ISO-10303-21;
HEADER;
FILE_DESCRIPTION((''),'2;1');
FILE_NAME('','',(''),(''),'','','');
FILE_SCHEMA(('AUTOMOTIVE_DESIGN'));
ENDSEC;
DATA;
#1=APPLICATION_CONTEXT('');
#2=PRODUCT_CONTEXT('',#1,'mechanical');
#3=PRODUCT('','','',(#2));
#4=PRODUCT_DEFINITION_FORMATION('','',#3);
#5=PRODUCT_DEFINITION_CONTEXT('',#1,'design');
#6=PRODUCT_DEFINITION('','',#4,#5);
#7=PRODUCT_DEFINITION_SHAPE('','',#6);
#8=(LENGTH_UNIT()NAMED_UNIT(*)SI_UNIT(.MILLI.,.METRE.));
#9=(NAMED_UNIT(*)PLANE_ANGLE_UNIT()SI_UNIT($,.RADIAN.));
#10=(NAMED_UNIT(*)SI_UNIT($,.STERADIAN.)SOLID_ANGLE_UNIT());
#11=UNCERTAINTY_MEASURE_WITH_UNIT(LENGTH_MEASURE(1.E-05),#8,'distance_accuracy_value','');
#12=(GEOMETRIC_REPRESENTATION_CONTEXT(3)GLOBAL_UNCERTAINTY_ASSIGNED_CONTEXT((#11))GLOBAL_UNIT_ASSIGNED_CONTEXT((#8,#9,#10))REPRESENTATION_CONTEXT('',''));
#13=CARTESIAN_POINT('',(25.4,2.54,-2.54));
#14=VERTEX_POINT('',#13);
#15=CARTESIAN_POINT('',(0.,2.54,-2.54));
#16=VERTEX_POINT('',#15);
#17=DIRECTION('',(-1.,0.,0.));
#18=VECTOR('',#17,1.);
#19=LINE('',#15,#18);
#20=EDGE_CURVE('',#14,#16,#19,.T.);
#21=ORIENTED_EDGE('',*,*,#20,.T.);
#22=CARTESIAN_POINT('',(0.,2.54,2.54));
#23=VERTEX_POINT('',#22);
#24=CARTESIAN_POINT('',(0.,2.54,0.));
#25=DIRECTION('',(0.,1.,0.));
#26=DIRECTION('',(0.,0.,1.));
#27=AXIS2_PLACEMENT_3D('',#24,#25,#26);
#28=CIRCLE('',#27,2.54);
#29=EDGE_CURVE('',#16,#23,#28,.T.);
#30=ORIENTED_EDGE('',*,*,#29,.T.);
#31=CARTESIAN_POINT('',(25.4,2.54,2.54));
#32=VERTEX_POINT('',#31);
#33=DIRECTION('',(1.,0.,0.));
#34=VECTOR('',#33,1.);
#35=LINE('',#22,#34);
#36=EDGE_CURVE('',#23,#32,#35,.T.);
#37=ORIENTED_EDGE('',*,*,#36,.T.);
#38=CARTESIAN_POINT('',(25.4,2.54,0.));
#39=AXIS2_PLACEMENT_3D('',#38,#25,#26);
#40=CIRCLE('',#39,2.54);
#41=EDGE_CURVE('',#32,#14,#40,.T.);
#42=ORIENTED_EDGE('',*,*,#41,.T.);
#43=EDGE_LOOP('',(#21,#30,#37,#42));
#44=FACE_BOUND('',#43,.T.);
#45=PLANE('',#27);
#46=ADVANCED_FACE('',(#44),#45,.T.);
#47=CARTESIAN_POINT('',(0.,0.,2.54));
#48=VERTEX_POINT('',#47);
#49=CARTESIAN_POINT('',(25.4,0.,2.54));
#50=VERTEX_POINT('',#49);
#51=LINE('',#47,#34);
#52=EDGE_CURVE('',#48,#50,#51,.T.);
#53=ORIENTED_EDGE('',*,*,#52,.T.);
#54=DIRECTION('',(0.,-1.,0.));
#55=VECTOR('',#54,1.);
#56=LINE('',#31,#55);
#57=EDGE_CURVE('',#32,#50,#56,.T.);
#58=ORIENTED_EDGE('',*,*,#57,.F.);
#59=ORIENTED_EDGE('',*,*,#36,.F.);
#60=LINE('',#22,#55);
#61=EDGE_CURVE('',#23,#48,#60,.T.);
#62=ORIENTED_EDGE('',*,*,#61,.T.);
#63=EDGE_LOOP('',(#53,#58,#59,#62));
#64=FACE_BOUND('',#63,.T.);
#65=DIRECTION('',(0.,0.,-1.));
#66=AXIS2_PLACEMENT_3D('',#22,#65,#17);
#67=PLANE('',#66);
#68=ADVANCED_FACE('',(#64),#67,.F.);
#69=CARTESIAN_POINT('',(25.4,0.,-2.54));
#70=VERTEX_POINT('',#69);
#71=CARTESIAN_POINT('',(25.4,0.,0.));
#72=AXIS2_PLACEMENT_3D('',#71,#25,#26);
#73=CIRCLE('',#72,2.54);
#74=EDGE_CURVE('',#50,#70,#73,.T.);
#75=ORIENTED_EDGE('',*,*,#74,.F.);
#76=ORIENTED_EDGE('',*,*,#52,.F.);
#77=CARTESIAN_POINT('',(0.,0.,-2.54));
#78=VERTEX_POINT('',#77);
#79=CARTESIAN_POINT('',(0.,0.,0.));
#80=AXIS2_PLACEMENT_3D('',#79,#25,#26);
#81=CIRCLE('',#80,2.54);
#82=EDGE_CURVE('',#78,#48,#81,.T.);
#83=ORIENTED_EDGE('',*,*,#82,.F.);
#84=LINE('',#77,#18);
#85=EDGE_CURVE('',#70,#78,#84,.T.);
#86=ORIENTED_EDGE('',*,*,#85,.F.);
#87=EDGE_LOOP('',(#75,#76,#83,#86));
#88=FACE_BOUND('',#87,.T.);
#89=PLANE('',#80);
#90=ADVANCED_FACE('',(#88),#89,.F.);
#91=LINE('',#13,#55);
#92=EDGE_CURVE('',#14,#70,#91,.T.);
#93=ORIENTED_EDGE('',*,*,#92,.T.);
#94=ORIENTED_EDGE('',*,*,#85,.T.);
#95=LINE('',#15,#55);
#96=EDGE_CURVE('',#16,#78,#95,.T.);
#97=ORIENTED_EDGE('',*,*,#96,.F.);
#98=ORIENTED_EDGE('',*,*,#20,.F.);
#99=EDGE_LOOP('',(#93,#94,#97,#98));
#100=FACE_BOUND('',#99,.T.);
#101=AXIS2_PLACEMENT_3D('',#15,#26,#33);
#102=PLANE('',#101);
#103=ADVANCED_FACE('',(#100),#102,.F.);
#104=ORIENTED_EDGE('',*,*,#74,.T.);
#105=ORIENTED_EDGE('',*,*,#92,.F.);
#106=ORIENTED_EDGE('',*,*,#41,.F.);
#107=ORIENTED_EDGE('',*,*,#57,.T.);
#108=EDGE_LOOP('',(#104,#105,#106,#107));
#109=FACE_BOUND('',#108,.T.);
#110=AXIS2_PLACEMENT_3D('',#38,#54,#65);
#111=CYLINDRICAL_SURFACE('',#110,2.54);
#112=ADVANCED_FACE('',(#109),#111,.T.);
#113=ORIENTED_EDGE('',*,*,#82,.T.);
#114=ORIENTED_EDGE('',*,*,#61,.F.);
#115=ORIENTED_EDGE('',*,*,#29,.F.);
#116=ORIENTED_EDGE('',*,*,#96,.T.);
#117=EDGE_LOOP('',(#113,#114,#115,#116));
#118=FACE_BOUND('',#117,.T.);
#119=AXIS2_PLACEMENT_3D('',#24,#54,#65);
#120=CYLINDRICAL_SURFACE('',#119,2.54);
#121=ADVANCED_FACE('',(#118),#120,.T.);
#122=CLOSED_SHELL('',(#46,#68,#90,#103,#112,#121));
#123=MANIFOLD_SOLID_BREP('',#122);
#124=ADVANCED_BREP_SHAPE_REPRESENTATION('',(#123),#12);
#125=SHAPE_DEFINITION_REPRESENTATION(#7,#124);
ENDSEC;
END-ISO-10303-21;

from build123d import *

# Parameters (mm, degrees)
BOSS_EXTRUDE1_DEPTH = 2.54


with BuildPart() as part:
    # Sketch1 → Boss-Extrude1 (new body)
    with BuildSketch(Plane(origin=(0, 0, 0), x_dir=(1, 0, 0), z_dir=(0, 1, 0))):
        with BuildLine():
            Line((0, 2.54), (25.4, 2.54))
            ThreePointArc((25.4, 2.54), (27.94, 0), (25.4, -2.54))
            Line((25.4, -2.54), (0, -2.54))
            ThreePointArc((0, -2.54), (-2.54, 0), (0, 2.54))
        make_face()
    extrude(amount=BOSS_EXTRUDE1_DEPTH)


solid = part.part
